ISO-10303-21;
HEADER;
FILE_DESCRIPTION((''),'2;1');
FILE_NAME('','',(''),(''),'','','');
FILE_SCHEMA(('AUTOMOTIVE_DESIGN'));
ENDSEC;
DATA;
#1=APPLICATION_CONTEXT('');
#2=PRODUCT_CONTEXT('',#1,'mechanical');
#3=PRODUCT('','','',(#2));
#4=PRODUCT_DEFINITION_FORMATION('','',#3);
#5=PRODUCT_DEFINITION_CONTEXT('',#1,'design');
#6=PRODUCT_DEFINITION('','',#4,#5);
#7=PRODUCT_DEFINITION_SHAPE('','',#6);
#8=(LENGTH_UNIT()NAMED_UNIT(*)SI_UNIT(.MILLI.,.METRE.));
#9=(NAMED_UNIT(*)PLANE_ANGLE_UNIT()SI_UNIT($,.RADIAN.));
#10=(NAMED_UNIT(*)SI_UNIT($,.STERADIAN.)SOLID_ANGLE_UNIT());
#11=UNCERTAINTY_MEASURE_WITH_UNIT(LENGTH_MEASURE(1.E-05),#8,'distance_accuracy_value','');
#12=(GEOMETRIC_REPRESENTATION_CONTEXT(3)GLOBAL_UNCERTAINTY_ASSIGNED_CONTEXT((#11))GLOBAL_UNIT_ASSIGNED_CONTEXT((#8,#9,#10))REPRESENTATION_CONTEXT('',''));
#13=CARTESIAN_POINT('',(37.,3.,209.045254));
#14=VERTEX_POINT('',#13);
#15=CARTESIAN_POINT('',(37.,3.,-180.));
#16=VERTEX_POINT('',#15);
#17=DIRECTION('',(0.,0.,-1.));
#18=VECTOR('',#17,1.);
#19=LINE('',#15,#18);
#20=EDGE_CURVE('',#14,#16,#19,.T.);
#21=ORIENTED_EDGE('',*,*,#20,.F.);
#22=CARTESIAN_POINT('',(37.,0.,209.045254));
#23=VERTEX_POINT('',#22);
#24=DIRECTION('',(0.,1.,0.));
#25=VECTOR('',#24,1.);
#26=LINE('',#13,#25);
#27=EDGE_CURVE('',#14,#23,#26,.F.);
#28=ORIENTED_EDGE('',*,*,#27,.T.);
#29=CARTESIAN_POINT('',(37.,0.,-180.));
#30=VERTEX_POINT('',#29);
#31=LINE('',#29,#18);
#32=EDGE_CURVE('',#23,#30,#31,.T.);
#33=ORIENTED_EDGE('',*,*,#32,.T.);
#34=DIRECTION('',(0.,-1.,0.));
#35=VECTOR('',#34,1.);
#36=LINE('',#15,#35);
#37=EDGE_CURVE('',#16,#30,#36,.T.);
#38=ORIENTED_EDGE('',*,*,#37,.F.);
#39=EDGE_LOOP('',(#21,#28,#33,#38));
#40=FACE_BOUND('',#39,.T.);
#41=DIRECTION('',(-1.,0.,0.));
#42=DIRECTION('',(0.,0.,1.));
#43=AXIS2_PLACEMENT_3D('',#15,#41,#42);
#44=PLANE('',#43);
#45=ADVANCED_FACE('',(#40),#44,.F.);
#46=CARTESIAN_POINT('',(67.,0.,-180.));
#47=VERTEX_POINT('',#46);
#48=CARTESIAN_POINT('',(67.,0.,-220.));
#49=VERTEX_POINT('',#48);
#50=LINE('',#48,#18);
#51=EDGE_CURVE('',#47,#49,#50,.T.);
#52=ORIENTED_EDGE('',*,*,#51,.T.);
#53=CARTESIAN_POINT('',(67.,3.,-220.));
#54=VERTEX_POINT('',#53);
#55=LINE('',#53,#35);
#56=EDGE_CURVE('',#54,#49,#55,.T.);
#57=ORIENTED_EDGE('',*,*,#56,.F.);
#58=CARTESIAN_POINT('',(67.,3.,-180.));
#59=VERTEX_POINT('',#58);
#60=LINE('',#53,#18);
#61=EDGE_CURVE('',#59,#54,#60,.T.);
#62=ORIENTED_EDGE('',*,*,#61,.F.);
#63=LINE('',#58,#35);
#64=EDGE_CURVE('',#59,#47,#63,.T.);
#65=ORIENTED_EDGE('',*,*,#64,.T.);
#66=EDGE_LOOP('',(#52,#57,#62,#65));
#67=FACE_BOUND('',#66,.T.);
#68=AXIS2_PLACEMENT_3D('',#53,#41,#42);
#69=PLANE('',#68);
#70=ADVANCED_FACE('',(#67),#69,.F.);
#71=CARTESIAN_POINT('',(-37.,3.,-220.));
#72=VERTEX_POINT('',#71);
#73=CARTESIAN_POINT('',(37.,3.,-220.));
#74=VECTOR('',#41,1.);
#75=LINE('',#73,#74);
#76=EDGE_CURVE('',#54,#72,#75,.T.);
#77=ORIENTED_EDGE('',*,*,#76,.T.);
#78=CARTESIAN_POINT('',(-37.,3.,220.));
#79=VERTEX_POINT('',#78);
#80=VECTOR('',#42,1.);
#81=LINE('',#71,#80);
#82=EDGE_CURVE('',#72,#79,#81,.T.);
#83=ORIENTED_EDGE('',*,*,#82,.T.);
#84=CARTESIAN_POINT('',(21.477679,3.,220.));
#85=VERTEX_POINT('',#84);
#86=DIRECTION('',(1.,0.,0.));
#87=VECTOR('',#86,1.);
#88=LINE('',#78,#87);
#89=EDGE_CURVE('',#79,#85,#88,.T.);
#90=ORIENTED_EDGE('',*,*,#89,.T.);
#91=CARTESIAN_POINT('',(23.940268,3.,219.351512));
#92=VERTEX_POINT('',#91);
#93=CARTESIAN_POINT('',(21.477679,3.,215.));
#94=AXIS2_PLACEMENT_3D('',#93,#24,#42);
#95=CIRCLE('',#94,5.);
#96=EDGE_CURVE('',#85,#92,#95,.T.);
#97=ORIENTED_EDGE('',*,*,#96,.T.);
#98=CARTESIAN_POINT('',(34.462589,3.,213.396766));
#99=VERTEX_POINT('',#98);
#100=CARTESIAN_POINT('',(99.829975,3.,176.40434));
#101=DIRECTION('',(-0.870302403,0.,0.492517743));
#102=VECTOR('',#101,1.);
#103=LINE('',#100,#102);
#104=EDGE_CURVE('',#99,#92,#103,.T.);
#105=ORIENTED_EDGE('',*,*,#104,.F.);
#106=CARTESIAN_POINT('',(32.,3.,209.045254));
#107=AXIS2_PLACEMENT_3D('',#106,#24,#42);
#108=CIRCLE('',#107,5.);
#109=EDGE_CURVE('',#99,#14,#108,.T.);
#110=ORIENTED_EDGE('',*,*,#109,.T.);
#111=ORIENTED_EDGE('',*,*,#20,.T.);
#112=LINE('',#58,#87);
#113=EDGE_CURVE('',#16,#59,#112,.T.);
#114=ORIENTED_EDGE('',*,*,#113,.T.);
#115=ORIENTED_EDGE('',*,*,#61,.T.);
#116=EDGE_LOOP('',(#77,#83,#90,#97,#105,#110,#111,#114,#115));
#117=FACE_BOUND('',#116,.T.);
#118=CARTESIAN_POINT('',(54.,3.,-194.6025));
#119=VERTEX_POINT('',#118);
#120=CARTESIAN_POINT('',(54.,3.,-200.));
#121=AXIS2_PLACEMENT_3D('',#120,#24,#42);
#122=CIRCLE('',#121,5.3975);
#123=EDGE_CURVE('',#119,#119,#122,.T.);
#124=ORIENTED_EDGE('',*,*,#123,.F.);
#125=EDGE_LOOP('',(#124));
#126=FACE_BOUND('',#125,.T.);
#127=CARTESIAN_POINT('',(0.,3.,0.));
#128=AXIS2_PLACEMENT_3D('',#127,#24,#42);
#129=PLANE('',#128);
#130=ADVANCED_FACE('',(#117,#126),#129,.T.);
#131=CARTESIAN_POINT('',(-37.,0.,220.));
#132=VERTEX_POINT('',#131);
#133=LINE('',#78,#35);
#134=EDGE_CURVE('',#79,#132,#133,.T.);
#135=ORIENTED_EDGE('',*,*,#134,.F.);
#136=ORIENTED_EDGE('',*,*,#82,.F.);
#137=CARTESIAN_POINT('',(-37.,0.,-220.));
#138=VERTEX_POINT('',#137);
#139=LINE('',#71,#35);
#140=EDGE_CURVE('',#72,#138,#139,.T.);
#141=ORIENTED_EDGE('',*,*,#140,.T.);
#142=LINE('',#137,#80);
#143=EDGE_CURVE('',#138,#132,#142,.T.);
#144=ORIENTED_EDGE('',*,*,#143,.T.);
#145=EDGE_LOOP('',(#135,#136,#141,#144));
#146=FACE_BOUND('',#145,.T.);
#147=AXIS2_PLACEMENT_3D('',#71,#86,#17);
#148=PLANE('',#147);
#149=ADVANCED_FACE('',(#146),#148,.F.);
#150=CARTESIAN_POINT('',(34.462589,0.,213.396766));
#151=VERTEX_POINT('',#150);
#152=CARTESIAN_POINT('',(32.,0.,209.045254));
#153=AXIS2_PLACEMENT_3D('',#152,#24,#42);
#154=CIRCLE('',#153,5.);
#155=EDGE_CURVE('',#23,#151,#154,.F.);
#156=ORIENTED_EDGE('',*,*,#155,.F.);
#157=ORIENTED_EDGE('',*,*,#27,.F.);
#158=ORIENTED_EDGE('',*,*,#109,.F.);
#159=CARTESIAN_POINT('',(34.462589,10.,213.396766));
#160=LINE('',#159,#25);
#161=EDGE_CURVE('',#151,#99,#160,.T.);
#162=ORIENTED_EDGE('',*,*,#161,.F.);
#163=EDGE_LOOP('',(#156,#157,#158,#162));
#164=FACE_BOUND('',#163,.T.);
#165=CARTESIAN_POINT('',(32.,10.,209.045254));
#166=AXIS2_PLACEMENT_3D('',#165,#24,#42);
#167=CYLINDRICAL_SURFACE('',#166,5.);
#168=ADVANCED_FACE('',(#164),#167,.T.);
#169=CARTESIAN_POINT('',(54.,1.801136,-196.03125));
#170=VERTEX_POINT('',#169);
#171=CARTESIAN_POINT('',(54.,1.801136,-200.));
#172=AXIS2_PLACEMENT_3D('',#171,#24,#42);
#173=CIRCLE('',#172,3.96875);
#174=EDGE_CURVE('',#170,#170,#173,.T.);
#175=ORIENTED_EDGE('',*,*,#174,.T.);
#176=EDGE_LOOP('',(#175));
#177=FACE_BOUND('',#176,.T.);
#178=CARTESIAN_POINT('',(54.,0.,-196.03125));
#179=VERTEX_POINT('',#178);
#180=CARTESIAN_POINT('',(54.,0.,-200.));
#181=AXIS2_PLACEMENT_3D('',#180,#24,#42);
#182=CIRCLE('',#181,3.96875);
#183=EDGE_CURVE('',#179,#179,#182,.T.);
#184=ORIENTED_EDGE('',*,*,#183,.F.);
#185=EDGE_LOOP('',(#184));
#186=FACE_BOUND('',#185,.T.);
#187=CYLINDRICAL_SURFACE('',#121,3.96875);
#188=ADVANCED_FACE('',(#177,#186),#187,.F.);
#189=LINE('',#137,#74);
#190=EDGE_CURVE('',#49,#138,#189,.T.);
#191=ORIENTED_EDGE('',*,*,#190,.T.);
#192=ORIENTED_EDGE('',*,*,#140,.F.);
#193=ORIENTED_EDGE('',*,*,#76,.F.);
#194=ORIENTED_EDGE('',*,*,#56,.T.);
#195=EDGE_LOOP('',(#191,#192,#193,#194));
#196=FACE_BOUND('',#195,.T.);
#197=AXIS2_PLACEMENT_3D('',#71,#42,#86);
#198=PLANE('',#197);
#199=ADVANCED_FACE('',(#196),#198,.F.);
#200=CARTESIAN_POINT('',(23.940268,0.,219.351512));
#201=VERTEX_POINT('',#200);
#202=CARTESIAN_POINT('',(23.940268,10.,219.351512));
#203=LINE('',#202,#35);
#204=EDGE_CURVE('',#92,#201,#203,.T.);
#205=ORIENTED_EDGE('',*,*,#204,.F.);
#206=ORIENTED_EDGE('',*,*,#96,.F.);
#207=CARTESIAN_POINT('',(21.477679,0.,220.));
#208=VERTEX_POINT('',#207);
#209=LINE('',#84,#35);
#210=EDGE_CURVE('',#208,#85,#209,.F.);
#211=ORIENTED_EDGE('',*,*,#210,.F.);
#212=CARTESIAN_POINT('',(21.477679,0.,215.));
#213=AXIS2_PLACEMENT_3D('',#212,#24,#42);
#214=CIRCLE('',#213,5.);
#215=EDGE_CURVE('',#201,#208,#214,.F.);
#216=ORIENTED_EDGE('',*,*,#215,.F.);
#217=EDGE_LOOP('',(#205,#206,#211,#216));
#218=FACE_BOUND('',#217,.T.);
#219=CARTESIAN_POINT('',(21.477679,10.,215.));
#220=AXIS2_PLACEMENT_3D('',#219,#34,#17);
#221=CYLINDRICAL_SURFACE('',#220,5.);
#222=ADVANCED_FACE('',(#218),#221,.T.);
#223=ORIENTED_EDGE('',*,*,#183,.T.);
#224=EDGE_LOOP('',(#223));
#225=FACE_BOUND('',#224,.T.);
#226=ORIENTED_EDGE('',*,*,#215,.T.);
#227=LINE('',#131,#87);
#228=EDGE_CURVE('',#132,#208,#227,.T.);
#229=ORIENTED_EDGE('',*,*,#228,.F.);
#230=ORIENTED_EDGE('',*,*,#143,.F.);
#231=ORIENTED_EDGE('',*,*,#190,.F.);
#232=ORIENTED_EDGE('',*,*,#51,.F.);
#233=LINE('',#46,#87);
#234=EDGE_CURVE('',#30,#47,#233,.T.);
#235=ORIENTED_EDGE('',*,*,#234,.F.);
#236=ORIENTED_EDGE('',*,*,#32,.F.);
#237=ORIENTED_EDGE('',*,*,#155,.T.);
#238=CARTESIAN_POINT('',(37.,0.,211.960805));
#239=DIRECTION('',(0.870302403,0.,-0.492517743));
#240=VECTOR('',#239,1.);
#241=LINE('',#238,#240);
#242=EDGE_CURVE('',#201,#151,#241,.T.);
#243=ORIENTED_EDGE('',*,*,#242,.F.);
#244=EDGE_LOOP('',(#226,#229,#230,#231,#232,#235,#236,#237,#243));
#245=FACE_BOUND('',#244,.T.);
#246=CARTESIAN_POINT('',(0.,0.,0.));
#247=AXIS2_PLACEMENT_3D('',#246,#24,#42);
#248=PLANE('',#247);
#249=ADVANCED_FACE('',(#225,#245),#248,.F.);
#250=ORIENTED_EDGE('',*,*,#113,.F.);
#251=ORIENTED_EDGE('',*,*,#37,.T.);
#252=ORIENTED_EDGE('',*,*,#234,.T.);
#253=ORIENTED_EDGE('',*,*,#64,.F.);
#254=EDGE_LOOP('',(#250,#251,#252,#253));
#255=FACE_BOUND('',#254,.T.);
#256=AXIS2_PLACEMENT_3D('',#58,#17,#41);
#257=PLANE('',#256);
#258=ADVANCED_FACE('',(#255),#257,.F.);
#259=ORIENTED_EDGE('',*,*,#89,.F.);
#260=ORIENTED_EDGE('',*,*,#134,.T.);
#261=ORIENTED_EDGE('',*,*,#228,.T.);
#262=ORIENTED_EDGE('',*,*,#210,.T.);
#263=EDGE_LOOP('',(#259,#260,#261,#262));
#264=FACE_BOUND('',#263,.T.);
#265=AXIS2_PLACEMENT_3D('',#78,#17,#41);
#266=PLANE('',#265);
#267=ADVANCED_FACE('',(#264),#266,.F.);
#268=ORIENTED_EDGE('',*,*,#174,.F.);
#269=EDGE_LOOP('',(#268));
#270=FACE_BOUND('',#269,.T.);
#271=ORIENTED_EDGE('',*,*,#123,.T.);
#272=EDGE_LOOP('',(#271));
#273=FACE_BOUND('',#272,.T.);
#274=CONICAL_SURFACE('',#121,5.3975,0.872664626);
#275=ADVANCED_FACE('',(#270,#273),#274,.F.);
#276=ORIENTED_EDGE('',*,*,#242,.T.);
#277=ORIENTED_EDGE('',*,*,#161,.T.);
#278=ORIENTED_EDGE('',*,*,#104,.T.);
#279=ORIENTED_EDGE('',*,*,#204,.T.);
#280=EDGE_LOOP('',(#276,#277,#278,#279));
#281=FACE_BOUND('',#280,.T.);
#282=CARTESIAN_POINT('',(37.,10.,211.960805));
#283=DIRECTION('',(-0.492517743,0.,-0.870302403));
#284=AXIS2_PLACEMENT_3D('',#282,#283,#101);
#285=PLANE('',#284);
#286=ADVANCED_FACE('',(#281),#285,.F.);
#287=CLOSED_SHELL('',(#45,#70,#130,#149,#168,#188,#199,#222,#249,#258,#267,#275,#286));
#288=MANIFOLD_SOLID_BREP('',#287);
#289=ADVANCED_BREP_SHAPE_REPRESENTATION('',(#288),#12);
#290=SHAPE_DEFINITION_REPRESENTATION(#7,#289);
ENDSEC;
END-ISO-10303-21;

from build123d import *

# Parameters (mm, degrees)
BOSS_EXTRUDE2_DEPTH = 3
CUT_EXTRUDE1_DEPTH  = 10
FILLET1_R           = 5
FILLET2_R           = 5


with BuildPart() as part:
    # Sketch1 → Boss-Extrude2 (new body)
    with BuildSketch(Plane(origin=(0, 0, 0), x_dir=(1, 0, 0), z_dir=(0, 1, 0))):
        Polygon((37, 220), (67, 220), (67, 180), (37, 180), (37, -220), (-37, -220), (-37, 220), align=None)
    extrude(amount=BOSS_EXTRUDE2_DEPTH)

    # Sketch3 → 3/8-16 Tapped Hole1 (revolve, cut)
    with BuildSketch(Plane(origin=(54, 3, -200), x_dir=(0, 0, 1), z_dir=(1, 0, 0))):
        Polygon((0, 0), (0, 3), (3.96875, 3), (3.96875, 1.198863598), (5.3975, 0), align=None)
    revolve(axis=Axis((54, 9.35, -200), (0, -1, 0)), mode=Mode.SUBTRACT)

    # Sketch5 → Cut-Extrude1 (cut)
    with BuildSketch(Plane.XZ):
        Polygon((37, 220), (37, 211.960805492), (22.794358884, 220), align=None)
    extrude(amount=-CUT_EXTRUDE1_DEPTH, mode=Mode.SUBTRACT)

    # Fillet1
    fillet1_edges = [part.edges().sort_by_distance(p)[0] for p in [
        (37, 1.5, 211.960805492),
    ]]
    fillet(fillet1_edges, radius=FILLET1_R)

    # Fillet2
    fillet2_edges = [part.edges().sort_by_distance(p)[0] for p in [
        (22.794358884, 1.5, 220),
    ]]
    fillet(fillet2_edges, radius=FILLET2_R)


solid = part.part
